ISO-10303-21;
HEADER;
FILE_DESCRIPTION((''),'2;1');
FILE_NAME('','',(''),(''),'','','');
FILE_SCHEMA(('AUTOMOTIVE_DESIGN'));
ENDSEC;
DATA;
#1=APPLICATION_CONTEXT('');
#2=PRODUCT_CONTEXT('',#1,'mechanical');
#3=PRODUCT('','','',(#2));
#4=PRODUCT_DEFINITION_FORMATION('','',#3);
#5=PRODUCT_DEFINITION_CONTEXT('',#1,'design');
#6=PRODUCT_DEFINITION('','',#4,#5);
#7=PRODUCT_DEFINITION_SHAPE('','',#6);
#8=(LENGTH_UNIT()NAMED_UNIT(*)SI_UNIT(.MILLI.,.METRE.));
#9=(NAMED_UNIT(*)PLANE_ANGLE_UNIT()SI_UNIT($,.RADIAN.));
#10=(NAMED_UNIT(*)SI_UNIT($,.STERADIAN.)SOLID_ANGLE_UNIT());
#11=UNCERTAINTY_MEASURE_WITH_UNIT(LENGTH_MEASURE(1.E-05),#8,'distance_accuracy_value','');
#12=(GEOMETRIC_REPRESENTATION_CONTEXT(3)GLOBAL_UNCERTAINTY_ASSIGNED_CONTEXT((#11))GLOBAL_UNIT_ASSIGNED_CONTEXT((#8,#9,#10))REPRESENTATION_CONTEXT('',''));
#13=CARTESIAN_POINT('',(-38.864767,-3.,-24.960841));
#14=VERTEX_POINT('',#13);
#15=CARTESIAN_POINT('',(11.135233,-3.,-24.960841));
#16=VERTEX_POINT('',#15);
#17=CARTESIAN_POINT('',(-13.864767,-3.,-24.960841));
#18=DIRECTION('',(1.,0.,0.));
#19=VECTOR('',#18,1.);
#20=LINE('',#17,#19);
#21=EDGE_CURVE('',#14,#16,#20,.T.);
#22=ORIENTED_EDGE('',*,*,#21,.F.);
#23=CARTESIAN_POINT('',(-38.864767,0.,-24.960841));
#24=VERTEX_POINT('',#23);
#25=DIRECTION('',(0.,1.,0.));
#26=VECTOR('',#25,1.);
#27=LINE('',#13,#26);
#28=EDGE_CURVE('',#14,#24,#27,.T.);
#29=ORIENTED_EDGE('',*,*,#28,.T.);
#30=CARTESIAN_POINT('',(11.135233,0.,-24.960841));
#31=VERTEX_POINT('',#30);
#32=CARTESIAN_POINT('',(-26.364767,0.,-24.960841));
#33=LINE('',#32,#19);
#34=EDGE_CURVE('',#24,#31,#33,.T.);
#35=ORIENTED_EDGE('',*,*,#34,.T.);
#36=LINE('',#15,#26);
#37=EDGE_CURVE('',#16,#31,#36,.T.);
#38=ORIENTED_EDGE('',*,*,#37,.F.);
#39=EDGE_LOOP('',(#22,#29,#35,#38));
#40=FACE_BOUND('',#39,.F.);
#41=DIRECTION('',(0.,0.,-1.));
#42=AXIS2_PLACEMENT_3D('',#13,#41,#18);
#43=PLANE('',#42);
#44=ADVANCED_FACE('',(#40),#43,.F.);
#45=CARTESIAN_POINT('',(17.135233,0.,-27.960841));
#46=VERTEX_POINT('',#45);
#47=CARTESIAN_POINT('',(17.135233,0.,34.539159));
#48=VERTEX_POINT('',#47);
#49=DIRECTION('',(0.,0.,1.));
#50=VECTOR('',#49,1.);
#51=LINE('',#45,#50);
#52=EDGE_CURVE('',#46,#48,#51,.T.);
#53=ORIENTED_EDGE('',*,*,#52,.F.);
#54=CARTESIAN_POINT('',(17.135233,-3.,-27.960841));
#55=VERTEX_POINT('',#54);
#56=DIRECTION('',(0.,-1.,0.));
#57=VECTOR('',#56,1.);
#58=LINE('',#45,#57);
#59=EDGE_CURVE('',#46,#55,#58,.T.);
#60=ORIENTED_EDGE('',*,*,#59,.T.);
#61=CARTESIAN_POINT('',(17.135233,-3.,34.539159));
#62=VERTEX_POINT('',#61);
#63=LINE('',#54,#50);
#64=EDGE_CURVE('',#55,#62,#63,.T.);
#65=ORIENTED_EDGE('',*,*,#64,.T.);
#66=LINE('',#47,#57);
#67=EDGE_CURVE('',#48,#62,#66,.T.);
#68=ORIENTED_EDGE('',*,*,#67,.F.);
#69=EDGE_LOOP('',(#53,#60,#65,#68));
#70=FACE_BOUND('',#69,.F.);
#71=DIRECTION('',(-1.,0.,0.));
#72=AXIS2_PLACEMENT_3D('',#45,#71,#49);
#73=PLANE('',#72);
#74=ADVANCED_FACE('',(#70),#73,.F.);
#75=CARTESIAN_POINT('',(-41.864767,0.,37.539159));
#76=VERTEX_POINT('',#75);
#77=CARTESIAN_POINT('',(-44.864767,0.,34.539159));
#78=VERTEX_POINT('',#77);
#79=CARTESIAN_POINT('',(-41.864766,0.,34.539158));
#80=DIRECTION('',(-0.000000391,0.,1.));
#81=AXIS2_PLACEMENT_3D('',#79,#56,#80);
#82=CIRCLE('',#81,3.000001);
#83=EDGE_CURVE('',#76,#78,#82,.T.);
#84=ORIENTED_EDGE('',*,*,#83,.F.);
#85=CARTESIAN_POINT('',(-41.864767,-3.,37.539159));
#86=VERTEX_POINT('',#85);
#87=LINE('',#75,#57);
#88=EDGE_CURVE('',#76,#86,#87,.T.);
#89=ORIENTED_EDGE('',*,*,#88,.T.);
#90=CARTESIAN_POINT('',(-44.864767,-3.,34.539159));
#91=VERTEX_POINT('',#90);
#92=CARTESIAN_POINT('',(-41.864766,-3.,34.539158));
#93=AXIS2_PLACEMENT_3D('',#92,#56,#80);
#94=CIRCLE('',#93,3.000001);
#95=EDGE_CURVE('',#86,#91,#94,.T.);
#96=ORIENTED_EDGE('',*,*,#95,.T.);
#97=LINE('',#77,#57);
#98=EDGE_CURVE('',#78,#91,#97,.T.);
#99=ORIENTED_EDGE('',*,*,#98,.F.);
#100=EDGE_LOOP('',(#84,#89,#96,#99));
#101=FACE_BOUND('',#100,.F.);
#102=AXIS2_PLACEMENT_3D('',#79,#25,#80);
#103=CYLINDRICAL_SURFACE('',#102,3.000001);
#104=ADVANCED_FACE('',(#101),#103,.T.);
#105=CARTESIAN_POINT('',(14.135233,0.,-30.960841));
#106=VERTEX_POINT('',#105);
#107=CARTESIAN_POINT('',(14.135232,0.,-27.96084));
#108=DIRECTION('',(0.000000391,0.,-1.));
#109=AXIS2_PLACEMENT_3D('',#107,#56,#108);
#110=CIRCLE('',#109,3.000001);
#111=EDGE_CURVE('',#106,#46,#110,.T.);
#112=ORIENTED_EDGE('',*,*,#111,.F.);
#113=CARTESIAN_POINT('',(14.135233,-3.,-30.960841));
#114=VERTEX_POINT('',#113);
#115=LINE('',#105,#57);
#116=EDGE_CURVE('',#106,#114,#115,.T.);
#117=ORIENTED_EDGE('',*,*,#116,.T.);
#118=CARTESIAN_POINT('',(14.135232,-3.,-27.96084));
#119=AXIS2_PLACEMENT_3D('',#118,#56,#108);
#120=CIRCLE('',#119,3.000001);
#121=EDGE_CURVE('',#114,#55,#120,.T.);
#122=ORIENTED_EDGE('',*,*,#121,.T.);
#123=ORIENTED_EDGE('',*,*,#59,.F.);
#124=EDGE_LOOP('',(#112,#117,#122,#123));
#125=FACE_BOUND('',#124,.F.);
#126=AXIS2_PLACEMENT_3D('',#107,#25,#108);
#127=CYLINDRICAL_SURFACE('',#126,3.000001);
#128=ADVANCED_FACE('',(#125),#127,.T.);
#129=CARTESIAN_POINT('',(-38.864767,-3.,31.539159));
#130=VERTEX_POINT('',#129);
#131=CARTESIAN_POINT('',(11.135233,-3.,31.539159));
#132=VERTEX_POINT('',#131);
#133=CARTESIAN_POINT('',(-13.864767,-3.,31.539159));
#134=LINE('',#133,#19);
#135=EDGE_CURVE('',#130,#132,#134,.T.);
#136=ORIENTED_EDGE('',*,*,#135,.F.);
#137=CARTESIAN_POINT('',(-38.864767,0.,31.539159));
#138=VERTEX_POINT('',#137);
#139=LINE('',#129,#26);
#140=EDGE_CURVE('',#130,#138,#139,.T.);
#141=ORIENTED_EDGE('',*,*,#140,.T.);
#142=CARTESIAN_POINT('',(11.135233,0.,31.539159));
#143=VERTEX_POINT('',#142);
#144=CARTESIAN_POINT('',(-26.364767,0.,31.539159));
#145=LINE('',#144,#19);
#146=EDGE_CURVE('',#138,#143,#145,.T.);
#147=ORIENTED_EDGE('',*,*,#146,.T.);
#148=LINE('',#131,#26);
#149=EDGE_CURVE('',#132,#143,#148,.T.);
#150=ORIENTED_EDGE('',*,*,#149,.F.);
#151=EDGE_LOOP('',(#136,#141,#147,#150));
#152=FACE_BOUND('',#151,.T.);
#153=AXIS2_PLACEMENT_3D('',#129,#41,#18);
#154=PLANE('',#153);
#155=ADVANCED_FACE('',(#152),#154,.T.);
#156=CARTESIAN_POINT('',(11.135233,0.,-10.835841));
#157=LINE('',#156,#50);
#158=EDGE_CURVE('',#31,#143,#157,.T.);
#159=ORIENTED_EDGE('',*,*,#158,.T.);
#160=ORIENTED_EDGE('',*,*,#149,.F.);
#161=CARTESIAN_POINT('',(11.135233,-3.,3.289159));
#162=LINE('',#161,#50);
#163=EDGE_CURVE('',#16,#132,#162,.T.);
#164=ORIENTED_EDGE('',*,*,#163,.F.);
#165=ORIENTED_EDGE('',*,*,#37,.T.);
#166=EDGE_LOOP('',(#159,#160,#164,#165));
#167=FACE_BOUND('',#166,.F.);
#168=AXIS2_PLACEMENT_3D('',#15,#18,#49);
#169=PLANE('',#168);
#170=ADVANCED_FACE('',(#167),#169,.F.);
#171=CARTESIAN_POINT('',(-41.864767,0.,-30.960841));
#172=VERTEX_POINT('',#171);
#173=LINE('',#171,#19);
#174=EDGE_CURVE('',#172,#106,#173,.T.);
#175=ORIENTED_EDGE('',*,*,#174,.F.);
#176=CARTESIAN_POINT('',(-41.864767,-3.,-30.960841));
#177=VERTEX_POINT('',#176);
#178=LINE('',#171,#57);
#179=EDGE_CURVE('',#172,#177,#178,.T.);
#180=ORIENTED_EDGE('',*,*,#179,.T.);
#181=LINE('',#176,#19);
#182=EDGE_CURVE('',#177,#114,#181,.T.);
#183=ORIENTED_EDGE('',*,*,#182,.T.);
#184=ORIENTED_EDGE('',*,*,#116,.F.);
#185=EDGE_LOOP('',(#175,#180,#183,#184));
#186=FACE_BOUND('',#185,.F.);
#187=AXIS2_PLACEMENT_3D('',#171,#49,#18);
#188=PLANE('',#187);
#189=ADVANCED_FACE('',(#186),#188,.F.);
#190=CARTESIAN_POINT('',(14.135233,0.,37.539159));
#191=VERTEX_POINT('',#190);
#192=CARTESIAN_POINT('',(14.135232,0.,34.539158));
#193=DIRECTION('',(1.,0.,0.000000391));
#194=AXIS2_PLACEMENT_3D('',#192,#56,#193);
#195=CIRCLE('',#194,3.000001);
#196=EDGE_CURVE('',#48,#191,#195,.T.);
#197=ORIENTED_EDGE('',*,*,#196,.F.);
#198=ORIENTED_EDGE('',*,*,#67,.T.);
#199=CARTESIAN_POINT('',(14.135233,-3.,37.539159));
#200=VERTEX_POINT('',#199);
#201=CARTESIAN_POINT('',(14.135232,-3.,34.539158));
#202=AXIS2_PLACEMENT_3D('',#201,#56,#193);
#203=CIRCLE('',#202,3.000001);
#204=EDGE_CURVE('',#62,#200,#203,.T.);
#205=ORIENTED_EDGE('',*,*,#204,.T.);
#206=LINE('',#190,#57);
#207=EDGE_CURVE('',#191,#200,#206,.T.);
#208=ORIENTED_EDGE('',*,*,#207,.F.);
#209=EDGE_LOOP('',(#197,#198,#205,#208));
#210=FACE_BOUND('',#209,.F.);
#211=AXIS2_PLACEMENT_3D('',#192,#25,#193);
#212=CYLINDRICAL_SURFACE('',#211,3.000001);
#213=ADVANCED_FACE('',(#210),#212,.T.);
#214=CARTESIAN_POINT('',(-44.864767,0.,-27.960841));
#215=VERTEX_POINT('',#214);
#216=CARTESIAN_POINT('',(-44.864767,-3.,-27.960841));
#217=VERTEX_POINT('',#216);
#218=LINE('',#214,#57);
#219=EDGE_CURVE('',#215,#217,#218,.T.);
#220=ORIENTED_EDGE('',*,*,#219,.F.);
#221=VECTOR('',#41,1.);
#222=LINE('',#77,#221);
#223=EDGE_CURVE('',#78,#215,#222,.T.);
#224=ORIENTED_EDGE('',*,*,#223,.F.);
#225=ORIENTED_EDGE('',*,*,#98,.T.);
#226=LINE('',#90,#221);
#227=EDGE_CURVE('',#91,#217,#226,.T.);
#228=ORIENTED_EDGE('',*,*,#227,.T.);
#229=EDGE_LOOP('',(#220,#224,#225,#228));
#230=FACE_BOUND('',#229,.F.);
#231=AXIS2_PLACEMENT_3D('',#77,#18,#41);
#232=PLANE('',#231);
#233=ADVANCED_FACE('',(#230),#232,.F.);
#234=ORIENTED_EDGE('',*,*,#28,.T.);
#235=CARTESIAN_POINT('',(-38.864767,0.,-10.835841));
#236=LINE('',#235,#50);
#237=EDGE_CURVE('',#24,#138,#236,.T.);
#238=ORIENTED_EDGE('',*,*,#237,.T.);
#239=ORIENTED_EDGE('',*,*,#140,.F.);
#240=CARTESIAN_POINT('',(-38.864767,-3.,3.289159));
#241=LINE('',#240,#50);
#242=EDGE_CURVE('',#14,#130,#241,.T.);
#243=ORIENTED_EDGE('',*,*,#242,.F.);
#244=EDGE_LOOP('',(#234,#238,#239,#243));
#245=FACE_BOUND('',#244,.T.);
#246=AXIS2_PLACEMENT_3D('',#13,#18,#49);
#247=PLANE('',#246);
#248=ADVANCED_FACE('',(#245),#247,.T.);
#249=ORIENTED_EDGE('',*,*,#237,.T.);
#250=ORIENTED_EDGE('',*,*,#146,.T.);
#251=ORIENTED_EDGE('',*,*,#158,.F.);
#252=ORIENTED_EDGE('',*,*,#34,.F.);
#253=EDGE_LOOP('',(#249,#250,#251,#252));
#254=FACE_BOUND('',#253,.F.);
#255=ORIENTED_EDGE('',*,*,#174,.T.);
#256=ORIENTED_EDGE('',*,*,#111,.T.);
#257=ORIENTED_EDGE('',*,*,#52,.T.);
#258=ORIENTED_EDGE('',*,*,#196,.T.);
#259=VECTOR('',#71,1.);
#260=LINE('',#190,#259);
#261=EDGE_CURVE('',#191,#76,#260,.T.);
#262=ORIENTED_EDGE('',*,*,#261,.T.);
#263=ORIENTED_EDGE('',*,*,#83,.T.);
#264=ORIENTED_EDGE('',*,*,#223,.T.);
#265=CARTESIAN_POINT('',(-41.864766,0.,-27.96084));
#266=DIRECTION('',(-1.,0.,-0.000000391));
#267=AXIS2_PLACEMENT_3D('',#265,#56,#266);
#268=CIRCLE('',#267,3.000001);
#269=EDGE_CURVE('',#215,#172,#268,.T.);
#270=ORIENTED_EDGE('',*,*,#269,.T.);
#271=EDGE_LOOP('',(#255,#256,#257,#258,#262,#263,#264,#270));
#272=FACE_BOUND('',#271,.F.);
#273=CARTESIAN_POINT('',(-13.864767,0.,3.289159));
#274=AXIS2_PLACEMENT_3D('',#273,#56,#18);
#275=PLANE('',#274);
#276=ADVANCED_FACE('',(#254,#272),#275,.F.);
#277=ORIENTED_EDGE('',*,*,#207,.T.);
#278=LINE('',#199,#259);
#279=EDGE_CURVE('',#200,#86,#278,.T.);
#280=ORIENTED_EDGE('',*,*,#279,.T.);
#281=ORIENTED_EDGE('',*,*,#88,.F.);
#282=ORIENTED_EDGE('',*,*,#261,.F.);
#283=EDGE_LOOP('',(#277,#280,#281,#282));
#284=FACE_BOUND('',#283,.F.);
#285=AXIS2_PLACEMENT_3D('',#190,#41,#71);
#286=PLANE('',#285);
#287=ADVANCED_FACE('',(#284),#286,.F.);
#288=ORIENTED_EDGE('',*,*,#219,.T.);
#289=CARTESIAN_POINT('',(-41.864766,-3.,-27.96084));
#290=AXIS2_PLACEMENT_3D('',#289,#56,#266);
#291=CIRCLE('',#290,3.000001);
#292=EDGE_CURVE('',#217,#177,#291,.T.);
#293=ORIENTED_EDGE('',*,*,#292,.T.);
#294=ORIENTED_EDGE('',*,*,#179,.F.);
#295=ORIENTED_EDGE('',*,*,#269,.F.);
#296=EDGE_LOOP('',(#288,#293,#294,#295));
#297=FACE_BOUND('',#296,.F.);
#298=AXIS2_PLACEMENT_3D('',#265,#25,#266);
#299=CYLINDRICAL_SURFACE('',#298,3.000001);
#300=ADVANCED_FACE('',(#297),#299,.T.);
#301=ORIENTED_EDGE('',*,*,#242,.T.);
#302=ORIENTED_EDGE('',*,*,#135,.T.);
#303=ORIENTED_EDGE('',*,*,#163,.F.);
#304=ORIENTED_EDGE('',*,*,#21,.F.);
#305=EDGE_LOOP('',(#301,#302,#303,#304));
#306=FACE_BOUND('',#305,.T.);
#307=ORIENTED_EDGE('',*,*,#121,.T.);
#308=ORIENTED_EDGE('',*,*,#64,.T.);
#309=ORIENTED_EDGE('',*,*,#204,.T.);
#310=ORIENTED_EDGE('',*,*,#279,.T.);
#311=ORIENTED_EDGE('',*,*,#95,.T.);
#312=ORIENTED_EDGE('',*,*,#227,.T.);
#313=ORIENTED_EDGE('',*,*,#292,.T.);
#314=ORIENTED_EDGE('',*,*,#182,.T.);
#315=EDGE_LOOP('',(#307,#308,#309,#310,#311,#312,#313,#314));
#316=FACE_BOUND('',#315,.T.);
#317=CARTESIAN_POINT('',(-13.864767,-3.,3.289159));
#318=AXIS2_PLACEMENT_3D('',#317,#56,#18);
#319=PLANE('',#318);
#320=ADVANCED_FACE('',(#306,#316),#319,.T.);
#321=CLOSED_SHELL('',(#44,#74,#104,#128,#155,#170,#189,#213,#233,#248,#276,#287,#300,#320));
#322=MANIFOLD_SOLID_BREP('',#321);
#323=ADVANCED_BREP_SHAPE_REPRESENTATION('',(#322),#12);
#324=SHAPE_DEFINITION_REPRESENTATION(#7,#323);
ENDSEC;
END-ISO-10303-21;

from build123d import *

# Parameters (mm, degrees)
F1_DEPTH = 3
F2_W     = 50
F2_H     = 56.5
F3_DEPTH = 25


with BuildPart() as f1:
    # F0 (on Front) → F1 (new body)
    with BuildSketch(Plane.XZ):
        with BuildLine():
            Line((14.135233, 37.539159), (-41.864767, 37.539159))
            ThreePointArc((-41.864767, 37.539159), (-43.986087, 36.660479), (-44.864767, 34.539159))
            Line((-44.864767, 34.539159), (-44.864767, -27.960841))
            ThreePointArc((-44.864767, -27.960841), (-43.986087, -30.082161), (-41.864767, -30.960841))
            Line((-41.864767, -30.960841), (14.135233, -30.960841))
            ThreePointArc((14.135233, -30.960841), (16.256553, -30.082161), (17.135233, -27.960841))
            Line((17.135233, -27.960841), (17.135233, 34.539159))
            ThreePointArc((17.135233, 34.539159), (16.256553, 36.660479), (14.135233, 37.539159))
        make_face()
    extrude(amount=F1_DEPTH)

    # F2 (on face) → F3 (cut)
    with BuildSketch(Plane.XZ.offset(3)):
        with Locations((-13.864767, 3.289159)):
            Rectangle(F2_W, F2_H)
    extrude(amount=-F3_DEPTH, mode=Mode.SUBTRACT)


solid = f1.part
